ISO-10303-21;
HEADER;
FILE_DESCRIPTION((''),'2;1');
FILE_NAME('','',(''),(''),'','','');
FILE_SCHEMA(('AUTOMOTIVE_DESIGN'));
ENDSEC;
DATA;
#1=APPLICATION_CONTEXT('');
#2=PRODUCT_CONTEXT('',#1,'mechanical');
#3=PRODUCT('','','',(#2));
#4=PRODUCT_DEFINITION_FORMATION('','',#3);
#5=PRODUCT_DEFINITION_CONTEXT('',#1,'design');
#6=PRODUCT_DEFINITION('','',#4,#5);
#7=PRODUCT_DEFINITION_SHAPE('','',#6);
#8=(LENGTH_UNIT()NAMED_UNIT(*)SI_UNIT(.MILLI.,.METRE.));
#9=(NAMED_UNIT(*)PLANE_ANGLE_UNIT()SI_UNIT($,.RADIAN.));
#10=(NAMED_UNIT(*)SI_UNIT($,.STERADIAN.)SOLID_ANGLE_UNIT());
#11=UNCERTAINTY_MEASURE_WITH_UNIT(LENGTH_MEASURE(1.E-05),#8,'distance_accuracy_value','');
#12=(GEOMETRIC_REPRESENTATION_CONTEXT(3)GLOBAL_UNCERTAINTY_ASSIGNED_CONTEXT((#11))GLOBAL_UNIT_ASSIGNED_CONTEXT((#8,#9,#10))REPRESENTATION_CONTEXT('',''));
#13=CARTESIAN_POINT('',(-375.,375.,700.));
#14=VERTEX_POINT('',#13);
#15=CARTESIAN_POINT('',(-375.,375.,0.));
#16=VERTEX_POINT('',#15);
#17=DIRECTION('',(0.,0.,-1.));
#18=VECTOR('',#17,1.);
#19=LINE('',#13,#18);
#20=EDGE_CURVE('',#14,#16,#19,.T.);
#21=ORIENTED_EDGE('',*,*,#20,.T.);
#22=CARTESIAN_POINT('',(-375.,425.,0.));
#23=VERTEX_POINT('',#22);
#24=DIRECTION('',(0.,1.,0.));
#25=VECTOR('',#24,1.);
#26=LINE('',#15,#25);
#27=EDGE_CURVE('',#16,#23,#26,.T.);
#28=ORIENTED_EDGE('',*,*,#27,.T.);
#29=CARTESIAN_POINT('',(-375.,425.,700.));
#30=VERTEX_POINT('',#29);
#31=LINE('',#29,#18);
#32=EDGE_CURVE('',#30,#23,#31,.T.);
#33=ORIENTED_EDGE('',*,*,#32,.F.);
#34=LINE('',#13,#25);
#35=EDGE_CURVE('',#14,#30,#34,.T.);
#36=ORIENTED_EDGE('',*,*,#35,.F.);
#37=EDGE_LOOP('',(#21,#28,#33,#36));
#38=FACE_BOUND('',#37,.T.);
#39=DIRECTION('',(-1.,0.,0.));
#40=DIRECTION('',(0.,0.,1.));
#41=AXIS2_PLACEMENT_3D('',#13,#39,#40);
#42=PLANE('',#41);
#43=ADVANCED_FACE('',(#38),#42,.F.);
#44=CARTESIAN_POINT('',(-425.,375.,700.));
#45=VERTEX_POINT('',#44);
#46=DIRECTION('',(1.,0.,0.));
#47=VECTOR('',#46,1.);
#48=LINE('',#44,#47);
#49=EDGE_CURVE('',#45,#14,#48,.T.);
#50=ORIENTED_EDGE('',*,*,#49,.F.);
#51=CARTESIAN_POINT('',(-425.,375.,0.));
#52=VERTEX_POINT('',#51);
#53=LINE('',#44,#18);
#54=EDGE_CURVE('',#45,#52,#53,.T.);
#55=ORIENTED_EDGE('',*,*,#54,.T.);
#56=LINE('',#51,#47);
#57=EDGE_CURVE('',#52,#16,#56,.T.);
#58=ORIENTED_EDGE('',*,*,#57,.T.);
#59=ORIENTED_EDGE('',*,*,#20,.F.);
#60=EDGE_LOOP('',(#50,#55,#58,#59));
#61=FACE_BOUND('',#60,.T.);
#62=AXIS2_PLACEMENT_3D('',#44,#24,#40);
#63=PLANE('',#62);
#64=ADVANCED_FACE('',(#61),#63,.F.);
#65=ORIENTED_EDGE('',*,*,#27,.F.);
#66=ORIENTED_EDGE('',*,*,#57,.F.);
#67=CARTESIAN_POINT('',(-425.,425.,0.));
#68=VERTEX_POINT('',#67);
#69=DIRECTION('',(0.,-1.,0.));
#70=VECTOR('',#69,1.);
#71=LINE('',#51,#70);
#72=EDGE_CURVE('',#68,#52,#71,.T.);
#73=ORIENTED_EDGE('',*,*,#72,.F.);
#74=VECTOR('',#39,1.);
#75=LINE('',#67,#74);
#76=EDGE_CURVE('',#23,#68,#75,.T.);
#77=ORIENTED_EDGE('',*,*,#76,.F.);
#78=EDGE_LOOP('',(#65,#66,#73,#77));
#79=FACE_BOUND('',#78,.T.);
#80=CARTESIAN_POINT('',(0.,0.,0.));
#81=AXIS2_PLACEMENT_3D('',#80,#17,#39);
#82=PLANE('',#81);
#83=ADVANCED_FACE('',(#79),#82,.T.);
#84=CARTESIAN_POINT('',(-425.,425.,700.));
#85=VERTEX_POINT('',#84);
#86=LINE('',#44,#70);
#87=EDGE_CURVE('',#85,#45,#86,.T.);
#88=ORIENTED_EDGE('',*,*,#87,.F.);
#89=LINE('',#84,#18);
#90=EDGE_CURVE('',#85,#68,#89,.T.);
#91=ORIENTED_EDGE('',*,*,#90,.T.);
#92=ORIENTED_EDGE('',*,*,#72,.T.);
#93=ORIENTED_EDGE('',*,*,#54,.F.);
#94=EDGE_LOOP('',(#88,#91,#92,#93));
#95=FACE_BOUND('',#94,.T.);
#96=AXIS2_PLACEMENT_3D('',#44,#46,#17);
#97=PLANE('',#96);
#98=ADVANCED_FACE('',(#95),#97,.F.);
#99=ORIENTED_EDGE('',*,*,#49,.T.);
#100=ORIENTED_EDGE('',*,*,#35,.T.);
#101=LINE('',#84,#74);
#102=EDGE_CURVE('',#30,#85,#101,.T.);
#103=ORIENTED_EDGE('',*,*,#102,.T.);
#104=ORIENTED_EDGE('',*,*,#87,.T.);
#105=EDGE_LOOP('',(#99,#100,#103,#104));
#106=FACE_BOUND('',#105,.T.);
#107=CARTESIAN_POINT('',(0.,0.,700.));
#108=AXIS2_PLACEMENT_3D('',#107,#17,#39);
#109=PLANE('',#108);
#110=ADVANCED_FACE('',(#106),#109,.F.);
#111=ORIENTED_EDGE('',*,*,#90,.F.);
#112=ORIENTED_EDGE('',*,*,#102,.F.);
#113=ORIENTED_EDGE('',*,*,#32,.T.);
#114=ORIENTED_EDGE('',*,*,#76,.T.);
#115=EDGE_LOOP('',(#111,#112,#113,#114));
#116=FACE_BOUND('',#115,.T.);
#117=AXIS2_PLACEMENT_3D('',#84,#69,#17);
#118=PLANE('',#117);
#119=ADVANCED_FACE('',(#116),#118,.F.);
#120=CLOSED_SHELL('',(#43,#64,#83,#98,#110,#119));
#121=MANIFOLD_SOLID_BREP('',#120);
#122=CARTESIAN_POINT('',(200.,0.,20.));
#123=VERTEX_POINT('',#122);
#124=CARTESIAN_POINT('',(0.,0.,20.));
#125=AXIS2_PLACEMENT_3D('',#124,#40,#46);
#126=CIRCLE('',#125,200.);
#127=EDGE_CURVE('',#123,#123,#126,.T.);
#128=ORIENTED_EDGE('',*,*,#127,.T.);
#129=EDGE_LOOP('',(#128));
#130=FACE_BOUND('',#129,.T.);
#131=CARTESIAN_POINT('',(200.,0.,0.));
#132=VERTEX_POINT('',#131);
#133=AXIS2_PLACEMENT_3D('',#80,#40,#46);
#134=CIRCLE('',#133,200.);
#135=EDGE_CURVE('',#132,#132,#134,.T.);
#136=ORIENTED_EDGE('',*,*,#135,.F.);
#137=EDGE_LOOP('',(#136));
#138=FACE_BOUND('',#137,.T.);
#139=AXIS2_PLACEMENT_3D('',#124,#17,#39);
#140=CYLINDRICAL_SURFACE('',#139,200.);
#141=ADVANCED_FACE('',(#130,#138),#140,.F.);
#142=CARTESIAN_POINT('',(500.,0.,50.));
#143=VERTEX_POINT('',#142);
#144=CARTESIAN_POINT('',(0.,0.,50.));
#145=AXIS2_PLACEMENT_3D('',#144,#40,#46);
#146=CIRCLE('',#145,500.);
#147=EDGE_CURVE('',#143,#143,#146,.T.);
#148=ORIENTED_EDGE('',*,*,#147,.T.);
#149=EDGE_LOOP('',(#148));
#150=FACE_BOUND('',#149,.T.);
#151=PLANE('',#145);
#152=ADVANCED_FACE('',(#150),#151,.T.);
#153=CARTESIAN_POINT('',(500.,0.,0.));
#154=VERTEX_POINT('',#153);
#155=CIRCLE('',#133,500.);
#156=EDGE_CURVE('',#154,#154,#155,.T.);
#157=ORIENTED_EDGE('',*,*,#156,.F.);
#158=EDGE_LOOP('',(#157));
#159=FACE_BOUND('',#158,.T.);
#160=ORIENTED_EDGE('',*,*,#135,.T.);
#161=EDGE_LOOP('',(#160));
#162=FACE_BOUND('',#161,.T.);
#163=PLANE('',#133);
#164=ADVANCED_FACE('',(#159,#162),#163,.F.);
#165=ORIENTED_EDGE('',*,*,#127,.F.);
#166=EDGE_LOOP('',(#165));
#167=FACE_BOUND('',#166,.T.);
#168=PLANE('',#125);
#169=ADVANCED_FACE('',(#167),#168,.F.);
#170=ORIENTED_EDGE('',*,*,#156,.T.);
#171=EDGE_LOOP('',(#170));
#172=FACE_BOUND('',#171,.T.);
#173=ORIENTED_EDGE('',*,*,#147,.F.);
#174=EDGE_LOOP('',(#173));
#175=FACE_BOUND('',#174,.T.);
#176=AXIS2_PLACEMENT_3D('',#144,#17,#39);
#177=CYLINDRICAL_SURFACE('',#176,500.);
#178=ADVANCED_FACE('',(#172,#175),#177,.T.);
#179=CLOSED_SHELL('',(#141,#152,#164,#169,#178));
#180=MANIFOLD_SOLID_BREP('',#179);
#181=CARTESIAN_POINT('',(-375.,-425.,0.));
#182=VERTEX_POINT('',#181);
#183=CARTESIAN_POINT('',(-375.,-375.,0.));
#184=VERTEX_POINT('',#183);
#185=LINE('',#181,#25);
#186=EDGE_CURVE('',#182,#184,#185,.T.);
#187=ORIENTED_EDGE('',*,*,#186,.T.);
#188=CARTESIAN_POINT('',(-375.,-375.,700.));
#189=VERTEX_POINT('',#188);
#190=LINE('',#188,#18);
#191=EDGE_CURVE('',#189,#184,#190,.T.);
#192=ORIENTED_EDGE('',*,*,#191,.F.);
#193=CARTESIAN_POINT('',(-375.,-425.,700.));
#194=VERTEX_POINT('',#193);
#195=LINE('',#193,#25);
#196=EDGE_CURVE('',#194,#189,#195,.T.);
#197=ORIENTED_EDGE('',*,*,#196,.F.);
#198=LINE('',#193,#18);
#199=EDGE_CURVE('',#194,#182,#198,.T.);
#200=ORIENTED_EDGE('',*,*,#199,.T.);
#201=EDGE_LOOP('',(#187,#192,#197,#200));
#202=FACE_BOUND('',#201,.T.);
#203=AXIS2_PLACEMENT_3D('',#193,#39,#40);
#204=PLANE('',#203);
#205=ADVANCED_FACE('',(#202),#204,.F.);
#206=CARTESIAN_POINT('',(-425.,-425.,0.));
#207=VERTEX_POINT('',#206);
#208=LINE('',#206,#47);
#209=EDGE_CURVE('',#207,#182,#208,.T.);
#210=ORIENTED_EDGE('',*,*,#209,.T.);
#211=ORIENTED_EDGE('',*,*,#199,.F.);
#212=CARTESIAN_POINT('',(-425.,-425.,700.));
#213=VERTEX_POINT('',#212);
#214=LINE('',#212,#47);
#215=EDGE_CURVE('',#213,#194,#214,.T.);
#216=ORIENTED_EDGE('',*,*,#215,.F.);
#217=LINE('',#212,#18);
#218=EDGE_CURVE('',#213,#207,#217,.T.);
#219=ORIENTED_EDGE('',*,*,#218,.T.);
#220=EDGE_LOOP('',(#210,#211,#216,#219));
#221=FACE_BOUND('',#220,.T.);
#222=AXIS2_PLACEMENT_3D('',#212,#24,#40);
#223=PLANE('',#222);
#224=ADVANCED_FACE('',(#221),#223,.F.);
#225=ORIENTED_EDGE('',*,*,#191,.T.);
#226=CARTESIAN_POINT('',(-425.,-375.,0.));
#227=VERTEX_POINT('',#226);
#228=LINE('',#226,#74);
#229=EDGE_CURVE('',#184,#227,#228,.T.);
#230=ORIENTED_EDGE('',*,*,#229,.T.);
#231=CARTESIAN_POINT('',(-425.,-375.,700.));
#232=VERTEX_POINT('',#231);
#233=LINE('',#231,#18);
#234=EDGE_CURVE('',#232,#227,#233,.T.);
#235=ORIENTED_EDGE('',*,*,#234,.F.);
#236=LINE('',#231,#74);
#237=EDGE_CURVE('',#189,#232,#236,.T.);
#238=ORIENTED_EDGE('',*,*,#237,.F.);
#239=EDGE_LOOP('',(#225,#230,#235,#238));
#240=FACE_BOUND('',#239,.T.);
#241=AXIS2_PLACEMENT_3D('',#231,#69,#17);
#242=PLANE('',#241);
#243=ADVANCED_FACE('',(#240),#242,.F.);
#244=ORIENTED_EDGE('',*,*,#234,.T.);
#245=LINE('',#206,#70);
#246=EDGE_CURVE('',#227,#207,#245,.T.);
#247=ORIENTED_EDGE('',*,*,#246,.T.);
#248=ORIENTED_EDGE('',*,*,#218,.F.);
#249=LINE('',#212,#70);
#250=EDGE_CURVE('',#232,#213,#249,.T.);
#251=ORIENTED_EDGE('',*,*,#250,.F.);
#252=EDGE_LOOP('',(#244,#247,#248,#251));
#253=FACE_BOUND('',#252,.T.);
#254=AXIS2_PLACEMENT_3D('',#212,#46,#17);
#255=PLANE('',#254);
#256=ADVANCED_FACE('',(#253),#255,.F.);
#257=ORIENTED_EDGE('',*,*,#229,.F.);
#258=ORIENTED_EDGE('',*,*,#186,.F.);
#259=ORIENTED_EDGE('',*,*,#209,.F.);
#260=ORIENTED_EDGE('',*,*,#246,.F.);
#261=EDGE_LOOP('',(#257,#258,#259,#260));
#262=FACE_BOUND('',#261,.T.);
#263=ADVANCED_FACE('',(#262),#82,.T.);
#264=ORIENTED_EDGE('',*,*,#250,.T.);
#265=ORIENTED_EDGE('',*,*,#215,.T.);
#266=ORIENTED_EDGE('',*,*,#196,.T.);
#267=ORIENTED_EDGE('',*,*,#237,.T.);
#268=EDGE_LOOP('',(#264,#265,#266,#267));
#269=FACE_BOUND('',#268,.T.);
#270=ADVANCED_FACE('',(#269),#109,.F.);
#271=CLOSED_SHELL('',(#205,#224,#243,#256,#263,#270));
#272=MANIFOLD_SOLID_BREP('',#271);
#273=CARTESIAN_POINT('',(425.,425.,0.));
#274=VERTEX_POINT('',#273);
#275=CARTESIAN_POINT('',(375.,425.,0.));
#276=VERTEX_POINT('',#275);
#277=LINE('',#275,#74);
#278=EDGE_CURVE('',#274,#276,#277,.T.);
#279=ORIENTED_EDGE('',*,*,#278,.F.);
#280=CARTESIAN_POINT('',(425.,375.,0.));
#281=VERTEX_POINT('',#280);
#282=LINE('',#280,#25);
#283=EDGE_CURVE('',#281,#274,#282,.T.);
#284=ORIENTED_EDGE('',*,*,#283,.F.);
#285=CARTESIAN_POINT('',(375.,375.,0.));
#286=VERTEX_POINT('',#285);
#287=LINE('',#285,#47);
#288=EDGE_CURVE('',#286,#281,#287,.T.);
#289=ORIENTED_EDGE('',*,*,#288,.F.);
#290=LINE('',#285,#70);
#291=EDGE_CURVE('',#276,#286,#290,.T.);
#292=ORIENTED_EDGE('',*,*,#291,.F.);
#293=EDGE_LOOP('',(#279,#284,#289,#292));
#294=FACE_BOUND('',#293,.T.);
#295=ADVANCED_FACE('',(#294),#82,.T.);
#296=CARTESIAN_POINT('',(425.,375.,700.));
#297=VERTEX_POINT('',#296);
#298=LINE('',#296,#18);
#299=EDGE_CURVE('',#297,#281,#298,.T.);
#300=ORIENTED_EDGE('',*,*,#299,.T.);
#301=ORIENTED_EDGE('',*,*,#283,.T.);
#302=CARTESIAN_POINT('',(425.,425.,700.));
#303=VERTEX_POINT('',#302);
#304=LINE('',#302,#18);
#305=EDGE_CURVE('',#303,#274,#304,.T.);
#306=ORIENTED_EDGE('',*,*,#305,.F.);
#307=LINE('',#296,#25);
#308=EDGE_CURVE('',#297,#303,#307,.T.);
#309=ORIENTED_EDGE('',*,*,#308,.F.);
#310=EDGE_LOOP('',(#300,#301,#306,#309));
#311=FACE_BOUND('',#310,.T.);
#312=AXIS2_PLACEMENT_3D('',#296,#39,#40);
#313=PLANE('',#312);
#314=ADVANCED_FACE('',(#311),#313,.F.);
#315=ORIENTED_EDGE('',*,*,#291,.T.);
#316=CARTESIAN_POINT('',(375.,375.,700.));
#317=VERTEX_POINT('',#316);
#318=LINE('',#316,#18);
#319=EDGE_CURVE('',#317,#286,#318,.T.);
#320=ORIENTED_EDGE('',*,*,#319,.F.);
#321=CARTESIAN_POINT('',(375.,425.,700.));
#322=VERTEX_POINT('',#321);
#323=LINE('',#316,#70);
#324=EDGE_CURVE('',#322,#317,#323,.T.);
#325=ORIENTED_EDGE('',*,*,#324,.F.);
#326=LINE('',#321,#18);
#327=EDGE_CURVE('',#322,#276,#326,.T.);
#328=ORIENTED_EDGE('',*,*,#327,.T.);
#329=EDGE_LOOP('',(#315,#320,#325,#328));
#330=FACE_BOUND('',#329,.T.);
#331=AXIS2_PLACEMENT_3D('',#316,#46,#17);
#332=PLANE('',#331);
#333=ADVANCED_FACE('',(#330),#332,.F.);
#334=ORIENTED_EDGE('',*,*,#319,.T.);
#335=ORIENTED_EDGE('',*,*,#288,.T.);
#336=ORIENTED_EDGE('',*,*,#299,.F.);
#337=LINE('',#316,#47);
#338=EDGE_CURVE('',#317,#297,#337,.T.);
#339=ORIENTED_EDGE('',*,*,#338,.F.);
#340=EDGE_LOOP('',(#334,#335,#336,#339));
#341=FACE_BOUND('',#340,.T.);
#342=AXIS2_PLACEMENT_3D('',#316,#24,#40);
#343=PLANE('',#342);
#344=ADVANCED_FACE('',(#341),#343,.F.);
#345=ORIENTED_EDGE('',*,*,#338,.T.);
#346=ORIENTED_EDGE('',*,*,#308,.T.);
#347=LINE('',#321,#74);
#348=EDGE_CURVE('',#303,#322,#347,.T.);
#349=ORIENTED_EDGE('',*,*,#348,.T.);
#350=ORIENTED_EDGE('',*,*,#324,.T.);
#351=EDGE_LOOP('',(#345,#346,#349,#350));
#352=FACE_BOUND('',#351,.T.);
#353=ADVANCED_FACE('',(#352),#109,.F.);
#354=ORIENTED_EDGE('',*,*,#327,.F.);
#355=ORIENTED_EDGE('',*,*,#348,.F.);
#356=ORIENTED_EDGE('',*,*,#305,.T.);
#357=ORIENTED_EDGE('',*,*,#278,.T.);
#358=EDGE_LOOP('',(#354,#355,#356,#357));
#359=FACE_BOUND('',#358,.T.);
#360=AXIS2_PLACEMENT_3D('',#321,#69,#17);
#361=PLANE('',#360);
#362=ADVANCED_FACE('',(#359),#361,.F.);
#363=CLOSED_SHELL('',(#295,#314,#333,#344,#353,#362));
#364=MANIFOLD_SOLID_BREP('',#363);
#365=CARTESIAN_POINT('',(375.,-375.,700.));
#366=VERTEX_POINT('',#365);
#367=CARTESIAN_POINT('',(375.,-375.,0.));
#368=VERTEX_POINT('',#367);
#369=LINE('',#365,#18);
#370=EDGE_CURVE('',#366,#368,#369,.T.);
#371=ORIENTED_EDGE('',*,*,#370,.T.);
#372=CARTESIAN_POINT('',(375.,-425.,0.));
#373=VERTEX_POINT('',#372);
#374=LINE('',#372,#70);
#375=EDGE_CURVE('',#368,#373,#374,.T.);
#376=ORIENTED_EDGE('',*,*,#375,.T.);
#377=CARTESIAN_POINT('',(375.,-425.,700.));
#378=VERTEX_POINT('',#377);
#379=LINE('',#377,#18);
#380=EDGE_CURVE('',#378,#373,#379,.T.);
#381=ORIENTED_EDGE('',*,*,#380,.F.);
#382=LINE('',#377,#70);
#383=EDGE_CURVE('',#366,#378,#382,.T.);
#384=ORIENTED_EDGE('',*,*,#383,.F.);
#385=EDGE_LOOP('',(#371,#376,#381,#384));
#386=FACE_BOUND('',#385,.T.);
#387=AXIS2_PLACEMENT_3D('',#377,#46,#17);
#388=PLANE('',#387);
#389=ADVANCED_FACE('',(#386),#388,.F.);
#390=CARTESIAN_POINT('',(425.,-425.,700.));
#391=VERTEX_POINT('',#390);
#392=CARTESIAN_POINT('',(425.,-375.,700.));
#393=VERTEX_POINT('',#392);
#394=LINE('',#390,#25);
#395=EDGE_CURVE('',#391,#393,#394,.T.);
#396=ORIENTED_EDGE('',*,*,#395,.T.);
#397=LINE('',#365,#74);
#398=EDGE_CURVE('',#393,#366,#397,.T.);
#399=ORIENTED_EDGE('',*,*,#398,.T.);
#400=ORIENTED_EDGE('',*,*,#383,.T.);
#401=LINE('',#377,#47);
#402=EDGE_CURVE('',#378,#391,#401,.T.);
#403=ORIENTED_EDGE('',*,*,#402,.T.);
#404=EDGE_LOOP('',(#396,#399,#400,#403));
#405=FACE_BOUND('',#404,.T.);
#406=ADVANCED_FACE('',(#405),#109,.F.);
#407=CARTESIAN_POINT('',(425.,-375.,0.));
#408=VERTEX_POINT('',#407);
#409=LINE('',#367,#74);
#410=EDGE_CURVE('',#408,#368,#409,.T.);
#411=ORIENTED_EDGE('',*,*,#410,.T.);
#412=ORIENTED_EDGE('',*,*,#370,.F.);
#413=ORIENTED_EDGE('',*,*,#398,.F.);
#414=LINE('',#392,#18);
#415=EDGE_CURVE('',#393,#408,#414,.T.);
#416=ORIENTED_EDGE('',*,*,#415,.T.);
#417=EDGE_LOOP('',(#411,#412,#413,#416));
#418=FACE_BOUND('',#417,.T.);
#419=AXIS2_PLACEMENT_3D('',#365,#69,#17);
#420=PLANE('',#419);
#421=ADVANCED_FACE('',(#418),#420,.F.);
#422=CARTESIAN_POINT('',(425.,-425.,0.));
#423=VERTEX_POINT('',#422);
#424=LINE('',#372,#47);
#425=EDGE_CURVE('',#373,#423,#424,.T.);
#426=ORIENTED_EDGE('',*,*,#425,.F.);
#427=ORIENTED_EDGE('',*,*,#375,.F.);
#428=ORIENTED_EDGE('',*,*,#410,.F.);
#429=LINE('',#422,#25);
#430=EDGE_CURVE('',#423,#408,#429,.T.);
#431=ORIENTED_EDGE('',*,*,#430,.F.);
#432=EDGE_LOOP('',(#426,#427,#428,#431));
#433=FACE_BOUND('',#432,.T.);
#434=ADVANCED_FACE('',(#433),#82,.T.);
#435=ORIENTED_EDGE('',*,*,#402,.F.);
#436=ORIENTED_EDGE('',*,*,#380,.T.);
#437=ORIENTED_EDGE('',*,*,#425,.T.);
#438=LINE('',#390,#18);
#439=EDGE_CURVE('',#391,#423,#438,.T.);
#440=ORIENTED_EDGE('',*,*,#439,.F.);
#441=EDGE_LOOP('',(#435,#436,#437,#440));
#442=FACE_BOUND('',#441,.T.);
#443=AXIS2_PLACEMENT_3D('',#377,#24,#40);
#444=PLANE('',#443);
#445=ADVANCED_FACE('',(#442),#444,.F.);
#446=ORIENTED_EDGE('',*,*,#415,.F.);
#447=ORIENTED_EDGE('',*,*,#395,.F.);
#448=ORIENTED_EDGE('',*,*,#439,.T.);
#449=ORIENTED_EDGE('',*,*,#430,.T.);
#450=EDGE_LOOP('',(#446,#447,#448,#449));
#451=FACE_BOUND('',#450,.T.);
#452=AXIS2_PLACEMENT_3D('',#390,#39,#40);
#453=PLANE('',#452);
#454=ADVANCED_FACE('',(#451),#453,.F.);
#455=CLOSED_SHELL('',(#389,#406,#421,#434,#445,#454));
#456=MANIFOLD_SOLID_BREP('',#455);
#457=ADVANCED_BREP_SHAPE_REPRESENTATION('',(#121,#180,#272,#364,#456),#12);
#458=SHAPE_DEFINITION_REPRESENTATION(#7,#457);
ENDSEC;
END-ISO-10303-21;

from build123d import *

# Parameters (mm, degrees)
SKETCH_1_R          = 500
EXTRUDE_1_DEPTH     = 50
SKETCH_2_W          = 50
SKETCH_2_H          = 50
EXTRUDE_2_DEPTH     = 700
SKETCH_3_W          = 50
SKETCH_3_H          = 50
EXTRUDE_3_DEPTH     = 700
SKETCH_4_W          = 50
SKETCH_4_H          = 50
EXTRUDE_4_DEPTH     = 700
SKETCH_5_W          = 50
SKETCH_5_H          = 50
EXTRUDE_5_DEPTH     = 700
SKETCH_6_R          = 200
CUT_EXTRUDE_1_DEPTH = 20


with BuildPart() as part:
    # 草图1 → 凸台-拉伸1 (new body)
    with BuildSketch(Plane.XY):
        Circle(SKETCH_1_R)
    extrude(amount=EXTRUDE_1_DEPTH)

    # 草图6 → 切除-拉伸1 (cut)
    with BuildSketch(Plane.XY):
        Circle(SKETCH_6_R)
    extrude(amount=CUT_EXTRUDE_1_DEPTH, mode=Mode.SUBTRACT)


with BuildPart() as body_2:
    # 草图2 → 凸台-拉伸2 (new body)
    with BuildSketch(Plane.XY):
        with Locations((400, 400)):
            Rectangle(SKETCH_2_W, SKETCH_2_H)
    extrude(amount=EXTRUDE_2_DEPTH)


with BuildPart() as body_3:
    # 草图3 → 凸台-拉伸3 (new body)
    with BuildSketch(Plane.XY):
        with Locations((-400, 400)):
            Rectangle(SKETCH_3_W, SKETCH_3_H)
    extrude(amount=EXTRUDE_3_DEPTH)


with BuildPart() as body_4:
    # 草图4 → 凸台-拉伸4 (new body)
    with BuildSketch(Plane.XY):
        with Locations((400, -400)):
            Rectangle(SKETCH_4_W, SKETCH_4_H)
    extrude(amount=EXTRUDE_4_DEPTH)


with BuildPart() as body_5:
    # 草图5 → 凸台-拉伸5 (new body)
    with BuildSketch(Plane.XY):
        with Locations((-400, -400)):
            Rectangle(SKETCH_5_W, SKETCH_5_H)
    extrude(amount=EXTRUDE_5_DEPTH)


solid = Compound([part.part, body_2.part, body_3.part, body_4.part, body_5.part])
